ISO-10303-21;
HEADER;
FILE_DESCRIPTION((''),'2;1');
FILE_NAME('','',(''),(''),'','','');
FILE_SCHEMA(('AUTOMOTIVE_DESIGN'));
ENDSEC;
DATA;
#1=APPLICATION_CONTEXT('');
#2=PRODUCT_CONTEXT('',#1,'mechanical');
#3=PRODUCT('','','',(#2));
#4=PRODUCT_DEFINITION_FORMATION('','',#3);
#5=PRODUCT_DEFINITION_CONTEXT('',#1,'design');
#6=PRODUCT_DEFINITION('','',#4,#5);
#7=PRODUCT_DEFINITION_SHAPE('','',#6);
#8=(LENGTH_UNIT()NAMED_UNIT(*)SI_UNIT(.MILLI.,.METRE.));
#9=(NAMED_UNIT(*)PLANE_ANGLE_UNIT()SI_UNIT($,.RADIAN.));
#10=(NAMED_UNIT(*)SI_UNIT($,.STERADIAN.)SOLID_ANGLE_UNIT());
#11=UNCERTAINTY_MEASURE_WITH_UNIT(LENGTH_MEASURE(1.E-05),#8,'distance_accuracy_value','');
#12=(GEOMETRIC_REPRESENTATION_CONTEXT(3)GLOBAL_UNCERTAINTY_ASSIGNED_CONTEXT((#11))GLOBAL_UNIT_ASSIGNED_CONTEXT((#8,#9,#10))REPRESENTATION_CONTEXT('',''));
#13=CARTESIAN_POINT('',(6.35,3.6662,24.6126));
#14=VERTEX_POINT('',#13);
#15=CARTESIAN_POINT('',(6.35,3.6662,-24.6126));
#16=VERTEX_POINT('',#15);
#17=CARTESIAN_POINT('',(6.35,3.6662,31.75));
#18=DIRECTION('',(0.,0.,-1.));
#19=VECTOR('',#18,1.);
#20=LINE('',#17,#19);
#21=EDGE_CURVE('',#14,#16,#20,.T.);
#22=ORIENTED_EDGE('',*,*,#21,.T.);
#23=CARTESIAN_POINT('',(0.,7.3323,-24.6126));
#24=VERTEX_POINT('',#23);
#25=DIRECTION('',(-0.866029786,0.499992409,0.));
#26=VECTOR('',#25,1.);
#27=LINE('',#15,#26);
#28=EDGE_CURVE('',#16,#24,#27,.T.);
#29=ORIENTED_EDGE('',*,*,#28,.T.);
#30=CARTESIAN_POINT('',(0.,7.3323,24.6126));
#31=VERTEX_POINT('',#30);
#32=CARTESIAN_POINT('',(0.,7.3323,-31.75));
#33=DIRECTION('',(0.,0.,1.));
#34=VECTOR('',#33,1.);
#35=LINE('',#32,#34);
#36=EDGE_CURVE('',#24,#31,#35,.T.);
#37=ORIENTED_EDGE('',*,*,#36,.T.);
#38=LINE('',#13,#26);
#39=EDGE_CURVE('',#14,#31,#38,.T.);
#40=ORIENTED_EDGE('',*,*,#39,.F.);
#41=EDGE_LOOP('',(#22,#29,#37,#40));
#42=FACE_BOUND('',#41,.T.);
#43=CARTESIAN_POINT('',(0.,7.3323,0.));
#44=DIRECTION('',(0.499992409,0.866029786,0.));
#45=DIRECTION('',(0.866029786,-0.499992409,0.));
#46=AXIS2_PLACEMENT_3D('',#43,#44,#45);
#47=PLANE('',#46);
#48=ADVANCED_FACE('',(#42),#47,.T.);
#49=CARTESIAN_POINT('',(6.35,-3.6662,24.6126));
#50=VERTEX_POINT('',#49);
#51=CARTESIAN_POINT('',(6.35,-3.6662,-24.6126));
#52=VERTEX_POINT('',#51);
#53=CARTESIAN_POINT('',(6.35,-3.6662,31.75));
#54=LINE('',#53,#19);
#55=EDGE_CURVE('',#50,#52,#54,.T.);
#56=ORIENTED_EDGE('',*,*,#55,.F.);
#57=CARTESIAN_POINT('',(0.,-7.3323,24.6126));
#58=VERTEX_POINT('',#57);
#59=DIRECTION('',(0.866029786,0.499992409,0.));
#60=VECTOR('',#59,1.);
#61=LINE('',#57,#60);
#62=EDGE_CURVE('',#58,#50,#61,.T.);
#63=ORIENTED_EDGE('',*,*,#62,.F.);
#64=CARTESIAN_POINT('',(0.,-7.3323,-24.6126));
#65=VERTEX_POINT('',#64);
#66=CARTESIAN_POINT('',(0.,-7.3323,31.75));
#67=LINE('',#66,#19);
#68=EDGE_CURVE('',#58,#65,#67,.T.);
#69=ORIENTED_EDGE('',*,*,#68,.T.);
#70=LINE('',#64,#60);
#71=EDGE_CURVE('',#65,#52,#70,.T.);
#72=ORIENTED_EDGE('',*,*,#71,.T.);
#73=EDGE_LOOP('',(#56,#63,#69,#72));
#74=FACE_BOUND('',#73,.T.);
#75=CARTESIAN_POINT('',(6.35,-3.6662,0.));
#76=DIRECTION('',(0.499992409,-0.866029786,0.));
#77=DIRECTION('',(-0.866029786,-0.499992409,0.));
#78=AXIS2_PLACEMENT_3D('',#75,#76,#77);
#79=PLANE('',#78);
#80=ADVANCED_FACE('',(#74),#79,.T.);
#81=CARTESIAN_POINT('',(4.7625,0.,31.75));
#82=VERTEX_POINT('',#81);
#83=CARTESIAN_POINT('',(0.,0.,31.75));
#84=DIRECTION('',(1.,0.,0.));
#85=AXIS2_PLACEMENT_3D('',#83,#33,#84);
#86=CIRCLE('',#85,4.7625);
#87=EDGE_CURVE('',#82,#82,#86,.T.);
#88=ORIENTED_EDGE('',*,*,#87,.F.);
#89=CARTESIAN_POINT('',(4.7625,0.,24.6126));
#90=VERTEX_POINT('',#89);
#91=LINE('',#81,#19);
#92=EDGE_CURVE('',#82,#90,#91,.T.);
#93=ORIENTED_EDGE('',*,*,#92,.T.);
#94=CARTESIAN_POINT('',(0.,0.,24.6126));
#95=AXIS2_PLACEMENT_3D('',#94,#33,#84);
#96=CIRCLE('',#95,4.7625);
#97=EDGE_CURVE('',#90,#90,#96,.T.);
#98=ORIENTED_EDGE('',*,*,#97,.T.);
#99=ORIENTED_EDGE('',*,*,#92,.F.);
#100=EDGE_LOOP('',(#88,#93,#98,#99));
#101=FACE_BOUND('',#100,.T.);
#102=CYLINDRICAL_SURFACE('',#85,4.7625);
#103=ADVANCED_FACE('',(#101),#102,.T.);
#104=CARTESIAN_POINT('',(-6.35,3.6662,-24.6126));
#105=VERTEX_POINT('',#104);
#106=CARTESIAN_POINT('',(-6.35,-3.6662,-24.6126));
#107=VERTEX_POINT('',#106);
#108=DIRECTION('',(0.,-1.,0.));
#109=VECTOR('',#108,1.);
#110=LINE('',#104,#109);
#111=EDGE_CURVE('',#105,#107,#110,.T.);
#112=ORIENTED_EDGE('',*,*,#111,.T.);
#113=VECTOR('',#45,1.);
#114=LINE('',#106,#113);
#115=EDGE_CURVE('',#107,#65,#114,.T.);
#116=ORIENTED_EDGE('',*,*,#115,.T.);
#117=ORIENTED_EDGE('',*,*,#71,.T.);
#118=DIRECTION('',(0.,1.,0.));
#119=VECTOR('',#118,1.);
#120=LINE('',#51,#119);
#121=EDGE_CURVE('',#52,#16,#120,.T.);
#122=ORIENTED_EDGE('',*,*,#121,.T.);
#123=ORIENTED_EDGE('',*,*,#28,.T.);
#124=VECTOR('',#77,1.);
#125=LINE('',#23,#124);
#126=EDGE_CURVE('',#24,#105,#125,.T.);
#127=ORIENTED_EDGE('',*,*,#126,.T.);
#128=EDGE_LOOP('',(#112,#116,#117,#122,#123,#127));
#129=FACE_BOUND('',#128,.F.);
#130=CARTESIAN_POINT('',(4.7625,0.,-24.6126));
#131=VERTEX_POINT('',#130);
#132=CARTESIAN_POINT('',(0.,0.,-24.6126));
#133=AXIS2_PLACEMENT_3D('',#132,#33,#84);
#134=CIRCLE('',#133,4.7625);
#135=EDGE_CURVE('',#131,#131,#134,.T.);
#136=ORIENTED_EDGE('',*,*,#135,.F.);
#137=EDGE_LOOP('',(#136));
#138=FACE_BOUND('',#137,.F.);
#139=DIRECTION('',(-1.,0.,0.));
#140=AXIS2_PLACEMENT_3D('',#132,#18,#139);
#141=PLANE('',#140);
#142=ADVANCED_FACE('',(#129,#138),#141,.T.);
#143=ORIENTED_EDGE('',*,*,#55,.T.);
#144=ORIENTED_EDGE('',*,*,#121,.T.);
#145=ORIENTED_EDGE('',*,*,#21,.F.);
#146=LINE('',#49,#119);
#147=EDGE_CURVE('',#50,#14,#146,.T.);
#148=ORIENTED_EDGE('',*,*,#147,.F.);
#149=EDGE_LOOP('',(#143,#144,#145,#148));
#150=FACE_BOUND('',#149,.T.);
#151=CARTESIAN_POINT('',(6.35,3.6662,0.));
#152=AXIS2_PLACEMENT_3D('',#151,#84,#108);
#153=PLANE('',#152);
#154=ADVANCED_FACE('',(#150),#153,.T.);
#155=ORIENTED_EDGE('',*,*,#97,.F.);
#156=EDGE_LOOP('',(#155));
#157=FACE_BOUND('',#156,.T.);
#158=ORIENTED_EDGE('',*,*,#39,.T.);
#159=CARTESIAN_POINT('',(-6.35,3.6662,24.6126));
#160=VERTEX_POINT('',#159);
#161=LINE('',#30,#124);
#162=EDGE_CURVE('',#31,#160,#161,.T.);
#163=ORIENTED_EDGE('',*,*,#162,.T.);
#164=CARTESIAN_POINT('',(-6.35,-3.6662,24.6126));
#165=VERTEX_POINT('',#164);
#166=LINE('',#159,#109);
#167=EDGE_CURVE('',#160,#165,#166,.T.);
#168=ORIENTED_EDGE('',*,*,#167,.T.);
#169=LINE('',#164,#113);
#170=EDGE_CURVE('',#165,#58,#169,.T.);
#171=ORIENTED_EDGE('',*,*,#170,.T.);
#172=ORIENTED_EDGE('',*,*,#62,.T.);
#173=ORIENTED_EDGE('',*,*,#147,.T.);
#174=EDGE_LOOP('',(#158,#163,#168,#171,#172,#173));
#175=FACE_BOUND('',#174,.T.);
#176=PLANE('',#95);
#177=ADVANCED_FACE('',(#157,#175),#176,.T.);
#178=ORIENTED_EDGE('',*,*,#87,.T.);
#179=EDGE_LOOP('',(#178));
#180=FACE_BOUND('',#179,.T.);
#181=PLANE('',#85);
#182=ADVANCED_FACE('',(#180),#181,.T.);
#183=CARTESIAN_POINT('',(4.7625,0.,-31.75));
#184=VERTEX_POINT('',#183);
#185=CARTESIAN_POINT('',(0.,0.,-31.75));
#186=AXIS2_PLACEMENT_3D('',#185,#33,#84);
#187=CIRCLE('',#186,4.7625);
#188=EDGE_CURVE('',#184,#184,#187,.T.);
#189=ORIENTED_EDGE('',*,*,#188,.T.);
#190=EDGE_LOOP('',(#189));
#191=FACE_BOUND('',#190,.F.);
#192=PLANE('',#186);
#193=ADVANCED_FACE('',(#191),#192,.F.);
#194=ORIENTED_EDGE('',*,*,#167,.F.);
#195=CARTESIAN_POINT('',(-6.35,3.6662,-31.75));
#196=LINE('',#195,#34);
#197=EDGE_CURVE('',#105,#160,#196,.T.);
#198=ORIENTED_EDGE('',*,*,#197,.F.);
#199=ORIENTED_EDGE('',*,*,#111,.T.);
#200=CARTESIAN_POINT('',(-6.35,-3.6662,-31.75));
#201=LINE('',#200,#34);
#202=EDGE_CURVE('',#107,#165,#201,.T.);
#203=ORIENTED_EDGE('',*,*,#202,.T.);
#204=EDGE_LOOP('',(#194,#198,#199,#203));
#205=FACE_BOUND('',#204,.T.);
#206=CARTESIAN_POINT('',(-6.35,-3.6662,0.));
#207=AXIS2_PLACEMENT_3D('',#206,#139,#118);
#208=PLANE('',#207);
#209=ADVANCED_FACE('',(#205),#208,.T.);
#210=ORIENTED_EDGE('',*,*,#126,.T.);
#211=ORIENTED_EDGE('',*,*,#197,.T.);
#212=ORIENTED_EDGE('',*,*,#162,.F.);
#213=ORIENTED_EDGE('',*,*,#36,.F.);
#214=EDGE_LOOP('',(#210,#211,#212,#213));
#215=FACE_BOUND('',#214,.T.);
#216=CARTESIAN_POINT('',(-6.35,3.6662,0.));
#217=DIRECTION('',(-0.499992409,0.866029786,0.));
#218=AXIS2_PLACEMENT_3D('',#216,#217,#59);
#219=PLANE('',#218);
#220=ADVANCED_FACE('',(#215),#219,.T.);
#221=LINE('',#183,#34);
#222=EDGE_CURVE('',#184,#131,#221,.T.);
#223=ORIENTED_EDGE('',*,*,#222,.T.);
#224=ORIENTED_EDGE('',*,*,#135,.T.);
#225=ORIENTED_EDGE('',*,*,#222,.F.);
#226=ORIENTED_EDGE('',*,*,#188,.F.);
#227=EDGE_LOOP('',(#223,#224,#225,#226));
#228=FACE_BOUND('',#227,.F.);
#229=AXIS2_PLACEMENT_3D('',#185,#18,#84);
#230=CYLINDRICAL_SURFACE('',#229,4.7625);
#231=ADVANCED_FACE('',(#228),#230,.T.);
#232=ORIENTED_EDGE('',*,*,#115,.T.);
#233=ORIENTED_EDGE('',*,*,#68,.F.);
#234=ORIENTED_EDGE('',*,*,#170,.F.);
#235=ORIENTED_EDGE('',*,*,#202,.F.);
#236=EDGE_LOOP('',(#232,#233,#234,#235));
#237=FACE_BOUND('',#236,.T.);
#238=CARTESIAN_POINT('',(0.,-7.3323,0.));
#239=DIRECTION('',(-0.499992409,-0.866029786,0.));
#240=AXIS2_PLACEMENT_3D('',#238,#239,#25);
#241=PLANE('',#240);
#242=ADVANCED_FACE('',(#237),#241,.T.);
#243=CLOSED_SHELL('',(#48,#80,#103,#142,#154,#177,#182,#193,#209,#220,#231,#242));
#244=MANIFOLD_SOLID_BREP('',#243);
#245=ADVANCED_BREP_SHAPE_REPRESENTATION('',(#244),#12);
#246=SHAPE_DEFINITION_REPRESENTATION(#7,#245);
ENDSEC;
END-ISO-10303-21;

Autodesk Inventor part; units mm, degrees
ref_plane "YZ Plane" through (0, 0, 0) normal (1, 0, 0) x (0, 1, 0)
ref_plane "XZ Plane" through (0, 0, 0) normal (0, 1, 0) x (-1, 0, 0)
ref_plane "XY Plane" through (0, 0, 0) normal (0, 0, 1) x (1, 0, 0)
sketch "Sketch1" plane through (0, 0, 0) normal (0, 0, 1) x (1, 0, 0)
  line L0 (0, 7.3323) -> (6.35, 3.6662)
  line L1 (6.35, 3.6662) -> (6.35, -3.6662)
  line L2 (6.35, -3.6662) -> (0, -7.3323)
  line L3 (0, -7.3323) -> (-6.35, -3.6662)
  line L4 (-6.35, -3.6662) -> (-6.35, 3.6662)
  line L5 (-6.35, 3.6662) -> (0, 7.3323)
  point P0 (0, 0)
  point P1 (0, 0)
  dimension "d0" = 12.7
extrude "Extrusion1" add sketch "Sketch1" along normal mid plane 63.5
sketch "Sketch4" plane through (0, 0, 31.75) normal (0, 0, 1) x (1, 0, 0)
  circle A0 centre (0, 0) radius 4.7625
  line L0 (-6.35, 3.6662) -> (-6.35, -3.6662) projected
  line L1 (-6.35, -3.6662) -> (0, -7.3323) projected
  line L2 (0, -7.3323) -> (6.35, -3.6662) projected
  line L3 (6.35, -3.6662) -> (6.35, 3.6662) projected
  line L4 (6.35, 3.6662) -> (0, 7.3323) projected
  line L5 (0, 7.3323) -> (-6.35, 3.6662) projected
  dimension "d7" = 9.525
extrude "Extrusion2" cut sketch "Sketch4" against normal blind 7.1374
mirror "Mirror1" about plane through (0, 0, 0) normal (0, 0, 1) of "Extrusion2"
properties part number "GearShaft" material "Steel, Alloy"
